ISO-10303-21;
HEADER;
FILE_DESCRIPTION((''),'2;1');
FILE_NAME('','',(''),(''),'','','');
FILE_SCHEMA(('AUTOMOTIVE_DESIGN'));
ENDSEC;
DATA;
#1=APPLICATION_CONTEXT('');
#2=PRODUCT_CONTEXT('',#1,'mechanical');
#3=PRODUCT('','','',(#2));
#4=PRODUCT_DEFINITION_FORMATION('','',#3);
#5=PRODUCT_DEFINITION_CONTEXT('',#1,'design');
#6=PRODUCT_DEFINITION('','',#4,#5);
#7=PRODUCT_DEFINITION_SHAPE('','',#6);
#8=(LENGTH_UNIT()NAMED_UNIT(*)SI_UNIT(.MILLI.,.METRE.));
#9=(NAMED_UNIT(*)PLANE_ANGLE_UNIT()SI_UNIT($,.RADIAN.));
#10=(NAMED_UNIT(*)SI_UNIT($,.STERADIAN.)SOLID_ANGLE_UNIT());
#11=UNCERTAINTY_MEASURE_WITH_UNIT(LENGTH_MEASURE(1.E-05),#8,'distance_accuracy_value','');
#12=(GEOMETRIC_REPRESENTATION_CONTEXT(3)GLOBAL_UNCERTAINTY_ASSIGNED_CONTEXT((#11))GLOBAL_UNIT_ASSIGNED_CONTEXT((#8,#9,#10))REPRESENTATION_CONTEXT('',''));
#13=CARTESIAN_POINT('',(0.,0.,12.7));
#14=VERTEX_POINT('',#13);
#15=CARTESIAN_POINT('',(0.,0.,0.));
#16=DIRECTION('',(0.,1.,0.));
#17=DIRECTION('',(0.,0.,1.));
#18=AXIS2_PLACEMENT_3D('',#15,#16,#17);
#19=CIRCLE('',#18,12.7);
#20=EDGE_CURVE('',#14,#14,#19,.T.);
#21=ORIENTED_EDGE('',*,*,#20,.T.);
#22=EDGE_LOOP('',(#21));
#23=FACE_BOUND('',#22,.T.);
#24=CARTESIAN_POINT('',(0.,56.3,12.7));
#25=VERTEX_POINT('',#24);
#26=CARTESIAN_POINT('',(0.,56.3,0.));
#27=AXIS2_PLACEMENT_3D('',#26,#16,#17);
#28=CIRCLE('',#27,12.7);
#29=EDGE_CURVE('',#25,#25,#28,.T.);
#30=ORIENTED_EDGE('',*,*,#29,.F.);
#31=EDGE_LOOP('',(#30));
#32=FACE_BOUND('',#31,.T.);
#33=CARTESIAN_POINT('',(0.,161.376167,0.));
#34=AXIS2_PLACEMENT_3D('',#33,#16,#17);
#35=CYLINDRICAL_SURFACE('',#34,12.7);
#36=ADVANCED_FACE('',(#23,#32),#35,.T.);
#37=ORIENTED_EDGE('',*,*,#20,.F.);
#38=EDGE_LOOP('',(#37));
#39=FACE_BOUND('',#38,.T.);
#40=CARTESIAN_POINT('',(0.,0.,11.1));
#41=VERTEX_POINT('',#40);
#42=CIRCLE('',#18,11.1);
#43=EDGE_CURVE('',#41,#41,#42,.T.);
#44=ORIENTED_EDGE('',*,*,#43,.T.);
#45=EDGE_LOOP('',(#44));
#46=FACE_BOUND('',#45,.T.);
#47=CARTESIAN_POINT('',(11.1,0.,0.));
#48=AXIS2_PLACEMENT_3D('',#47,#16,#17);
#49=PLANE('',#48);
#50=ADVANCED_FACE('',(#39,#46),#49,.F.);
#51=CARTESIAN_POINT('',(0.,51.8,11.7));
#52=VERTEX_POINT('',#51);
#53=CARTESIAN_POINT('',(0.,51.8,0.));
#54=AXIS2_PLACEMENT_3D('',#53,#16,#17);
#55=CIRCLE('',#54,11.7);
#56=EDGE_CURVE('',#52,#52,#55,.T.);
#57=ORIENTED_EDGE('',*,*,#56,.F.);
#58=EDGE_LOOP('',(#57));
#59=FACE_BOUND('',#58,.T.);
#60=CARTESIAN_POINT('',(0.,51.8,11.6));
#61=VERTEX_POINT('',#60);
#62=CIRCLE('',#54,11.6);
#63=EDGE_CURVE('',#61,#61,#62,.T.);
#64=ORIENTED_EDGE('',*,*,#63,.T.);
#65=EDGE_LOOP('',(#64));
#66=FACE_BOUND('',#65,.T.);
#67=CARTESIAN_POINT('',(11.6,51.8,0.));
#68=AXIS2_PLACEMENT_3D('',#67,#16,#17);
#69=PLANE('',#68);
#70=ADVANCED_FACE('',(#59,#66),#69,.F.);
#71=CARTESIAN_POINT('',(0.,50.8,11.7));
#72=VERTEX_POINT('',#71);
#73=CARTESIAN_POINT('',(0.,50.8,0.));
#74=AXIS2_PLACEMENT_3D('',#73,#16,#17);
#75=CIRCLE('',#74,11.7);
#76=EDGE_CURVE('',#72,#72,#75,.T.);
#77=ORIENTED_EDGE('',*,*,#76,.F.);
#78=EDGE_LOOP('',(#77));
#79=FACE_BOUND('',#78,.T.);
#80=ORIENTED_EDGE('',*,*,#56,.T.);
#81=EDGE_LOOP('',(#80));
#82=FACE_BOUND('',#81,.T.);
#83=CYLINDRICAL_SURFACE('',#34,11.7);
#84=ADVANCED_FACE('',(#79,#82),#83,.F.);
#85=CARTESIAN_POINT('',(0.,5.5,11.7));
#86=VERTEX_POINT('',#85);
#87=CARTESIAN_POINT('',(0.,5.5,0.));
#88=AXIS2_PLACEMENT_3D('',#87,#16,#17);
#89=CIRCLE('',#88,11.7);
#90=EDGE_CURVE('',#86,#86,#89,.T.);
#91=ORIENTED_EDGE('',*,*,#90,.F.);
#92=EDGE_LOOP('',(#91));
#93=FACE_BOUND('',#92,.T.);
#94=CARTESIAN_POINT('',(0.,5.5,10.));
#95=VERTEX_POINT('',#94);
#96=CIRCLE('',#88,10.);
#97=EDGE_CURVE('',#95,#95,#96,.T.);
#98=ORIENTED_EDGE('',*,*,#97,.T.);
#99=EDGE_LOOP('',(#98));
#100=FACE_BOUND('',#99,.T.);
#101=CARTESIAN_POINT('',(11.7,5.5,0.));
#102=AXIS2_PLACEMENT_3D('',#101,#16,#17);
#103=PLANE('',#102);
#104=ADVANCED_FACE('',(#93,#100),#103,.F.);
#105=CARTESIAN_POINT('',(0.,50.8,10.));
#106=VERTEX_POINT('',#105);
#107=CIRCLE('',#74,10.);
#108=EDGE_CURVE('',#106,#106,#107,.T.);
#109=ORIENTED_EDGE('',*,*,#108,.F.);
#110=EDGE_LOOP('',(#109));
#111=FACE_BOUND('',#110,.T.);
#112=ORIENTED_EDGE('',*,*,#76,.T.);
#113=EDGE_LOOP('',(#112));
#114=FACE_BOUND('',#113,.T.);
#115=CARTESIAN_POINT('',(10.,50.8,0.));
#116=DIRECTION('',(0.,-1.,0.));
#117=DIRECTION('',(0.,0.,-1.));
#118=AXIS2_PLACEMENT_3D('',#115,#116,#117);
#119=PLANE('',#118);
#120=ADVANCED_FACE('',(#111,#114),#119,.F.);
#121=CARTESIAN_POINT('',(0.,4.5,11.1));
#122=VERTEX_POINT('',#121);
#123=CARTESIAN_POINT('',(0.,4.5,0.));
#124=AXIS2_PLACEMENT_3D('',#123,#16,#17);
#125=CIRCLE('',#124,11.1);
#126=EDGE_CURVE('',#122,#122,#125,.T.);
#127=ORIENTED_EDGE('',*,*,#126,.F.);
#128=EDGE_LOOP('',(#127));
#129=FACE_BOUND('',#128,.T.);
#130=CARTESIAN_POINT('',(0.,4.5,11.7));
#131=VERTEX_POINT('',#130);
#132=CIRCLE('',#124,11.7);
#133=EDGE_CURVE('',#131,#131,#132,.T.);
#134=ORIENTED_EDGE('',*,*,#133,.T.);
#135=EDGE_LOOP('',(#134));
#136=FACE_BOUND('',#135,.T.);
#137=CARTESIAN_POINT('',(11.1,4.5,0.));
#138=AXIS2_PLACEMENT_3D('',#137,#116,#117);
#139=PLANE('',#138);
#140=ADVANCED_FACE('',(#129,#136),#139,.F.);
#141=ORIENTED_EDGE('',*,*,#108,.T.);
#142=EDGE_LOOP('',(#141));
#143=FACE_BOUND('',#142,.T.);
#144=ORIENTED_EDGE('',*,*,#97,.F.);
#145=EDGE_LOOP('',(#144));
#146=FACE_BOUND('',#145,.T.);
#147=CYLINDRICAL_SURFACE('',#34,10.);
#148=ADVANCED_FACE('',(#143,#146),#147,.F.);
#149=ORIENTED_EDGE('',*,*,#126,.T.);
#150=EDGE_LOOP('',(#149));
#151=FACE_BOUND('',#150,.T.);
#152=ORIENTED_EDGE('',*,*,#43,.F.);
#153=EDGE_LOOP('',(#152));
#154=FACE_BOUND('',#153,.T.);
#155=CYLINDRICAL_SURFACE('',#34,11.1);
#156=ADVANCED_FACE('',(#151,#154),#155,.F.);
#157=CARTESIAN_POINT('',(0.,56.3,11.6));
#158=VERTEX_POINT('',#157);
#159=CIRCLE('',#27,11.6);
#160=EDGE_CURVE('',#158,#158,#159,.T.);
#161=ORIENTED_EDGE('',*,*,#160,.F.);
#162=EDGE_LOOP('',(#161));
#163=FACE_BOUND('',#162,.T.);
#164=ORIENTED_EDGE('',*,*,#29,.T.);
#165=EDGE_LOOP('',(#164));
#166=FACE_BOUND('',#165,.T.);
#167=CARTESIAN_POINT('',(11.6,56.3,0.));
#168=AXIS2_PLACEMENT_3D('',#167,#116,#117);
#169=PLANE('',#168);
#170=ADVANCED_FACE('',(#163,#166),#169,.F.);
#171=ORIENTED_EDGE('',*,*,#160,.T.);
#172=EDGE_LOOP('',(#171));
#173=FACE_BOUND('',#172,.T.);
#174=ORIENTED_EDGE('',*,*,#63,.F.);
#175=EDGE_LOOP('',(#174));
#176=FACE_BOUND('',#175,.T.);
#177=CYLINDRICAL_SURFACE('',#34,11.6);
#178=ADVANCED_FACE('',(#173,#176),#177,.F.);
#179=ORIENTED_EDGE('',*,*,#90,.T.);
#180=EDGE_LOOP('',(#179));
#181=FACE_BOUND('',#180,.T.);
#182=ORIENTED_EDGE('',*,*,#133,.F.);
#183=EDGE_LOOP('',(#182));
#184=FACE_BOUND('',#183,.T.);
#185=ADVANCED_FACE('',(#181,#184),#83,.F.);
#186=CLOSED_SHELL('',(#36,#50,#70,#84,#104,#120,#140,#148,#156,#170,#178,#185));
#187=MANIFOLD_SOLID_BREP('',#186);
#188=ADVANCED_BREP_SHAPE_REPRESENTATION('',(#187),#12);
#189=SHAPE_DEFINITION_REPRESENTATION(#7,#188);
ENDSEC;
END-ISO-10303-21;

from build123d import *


with BuildPart() as part:
    # 草图1 → 旋转1 (revolve)
    with BuildSketch(Plane.XY, mode=Mode.PRIVATE) as revolve_1_sk:
        Polygon((11.1, 0), (11.1, 4.5), (11.7, 4.5), (11.7, 5.5), (10, 5.5), (10, 50.8), (11.7, 50.8), (11.7, 51.8), (11.6, 51.8), (11.6, 56.3), (12.7, 56.3), (12.7, 0), align=None)
    revolve(revolve_1_sk.sketch.rotate(Axis((0, 161.376166943, 0), (0, -1, 0)), 90), axis=Axis((0, 161.376166943, 0), (0, -1, 0)))  # turned: the seam where the file's is


solid = part.part
